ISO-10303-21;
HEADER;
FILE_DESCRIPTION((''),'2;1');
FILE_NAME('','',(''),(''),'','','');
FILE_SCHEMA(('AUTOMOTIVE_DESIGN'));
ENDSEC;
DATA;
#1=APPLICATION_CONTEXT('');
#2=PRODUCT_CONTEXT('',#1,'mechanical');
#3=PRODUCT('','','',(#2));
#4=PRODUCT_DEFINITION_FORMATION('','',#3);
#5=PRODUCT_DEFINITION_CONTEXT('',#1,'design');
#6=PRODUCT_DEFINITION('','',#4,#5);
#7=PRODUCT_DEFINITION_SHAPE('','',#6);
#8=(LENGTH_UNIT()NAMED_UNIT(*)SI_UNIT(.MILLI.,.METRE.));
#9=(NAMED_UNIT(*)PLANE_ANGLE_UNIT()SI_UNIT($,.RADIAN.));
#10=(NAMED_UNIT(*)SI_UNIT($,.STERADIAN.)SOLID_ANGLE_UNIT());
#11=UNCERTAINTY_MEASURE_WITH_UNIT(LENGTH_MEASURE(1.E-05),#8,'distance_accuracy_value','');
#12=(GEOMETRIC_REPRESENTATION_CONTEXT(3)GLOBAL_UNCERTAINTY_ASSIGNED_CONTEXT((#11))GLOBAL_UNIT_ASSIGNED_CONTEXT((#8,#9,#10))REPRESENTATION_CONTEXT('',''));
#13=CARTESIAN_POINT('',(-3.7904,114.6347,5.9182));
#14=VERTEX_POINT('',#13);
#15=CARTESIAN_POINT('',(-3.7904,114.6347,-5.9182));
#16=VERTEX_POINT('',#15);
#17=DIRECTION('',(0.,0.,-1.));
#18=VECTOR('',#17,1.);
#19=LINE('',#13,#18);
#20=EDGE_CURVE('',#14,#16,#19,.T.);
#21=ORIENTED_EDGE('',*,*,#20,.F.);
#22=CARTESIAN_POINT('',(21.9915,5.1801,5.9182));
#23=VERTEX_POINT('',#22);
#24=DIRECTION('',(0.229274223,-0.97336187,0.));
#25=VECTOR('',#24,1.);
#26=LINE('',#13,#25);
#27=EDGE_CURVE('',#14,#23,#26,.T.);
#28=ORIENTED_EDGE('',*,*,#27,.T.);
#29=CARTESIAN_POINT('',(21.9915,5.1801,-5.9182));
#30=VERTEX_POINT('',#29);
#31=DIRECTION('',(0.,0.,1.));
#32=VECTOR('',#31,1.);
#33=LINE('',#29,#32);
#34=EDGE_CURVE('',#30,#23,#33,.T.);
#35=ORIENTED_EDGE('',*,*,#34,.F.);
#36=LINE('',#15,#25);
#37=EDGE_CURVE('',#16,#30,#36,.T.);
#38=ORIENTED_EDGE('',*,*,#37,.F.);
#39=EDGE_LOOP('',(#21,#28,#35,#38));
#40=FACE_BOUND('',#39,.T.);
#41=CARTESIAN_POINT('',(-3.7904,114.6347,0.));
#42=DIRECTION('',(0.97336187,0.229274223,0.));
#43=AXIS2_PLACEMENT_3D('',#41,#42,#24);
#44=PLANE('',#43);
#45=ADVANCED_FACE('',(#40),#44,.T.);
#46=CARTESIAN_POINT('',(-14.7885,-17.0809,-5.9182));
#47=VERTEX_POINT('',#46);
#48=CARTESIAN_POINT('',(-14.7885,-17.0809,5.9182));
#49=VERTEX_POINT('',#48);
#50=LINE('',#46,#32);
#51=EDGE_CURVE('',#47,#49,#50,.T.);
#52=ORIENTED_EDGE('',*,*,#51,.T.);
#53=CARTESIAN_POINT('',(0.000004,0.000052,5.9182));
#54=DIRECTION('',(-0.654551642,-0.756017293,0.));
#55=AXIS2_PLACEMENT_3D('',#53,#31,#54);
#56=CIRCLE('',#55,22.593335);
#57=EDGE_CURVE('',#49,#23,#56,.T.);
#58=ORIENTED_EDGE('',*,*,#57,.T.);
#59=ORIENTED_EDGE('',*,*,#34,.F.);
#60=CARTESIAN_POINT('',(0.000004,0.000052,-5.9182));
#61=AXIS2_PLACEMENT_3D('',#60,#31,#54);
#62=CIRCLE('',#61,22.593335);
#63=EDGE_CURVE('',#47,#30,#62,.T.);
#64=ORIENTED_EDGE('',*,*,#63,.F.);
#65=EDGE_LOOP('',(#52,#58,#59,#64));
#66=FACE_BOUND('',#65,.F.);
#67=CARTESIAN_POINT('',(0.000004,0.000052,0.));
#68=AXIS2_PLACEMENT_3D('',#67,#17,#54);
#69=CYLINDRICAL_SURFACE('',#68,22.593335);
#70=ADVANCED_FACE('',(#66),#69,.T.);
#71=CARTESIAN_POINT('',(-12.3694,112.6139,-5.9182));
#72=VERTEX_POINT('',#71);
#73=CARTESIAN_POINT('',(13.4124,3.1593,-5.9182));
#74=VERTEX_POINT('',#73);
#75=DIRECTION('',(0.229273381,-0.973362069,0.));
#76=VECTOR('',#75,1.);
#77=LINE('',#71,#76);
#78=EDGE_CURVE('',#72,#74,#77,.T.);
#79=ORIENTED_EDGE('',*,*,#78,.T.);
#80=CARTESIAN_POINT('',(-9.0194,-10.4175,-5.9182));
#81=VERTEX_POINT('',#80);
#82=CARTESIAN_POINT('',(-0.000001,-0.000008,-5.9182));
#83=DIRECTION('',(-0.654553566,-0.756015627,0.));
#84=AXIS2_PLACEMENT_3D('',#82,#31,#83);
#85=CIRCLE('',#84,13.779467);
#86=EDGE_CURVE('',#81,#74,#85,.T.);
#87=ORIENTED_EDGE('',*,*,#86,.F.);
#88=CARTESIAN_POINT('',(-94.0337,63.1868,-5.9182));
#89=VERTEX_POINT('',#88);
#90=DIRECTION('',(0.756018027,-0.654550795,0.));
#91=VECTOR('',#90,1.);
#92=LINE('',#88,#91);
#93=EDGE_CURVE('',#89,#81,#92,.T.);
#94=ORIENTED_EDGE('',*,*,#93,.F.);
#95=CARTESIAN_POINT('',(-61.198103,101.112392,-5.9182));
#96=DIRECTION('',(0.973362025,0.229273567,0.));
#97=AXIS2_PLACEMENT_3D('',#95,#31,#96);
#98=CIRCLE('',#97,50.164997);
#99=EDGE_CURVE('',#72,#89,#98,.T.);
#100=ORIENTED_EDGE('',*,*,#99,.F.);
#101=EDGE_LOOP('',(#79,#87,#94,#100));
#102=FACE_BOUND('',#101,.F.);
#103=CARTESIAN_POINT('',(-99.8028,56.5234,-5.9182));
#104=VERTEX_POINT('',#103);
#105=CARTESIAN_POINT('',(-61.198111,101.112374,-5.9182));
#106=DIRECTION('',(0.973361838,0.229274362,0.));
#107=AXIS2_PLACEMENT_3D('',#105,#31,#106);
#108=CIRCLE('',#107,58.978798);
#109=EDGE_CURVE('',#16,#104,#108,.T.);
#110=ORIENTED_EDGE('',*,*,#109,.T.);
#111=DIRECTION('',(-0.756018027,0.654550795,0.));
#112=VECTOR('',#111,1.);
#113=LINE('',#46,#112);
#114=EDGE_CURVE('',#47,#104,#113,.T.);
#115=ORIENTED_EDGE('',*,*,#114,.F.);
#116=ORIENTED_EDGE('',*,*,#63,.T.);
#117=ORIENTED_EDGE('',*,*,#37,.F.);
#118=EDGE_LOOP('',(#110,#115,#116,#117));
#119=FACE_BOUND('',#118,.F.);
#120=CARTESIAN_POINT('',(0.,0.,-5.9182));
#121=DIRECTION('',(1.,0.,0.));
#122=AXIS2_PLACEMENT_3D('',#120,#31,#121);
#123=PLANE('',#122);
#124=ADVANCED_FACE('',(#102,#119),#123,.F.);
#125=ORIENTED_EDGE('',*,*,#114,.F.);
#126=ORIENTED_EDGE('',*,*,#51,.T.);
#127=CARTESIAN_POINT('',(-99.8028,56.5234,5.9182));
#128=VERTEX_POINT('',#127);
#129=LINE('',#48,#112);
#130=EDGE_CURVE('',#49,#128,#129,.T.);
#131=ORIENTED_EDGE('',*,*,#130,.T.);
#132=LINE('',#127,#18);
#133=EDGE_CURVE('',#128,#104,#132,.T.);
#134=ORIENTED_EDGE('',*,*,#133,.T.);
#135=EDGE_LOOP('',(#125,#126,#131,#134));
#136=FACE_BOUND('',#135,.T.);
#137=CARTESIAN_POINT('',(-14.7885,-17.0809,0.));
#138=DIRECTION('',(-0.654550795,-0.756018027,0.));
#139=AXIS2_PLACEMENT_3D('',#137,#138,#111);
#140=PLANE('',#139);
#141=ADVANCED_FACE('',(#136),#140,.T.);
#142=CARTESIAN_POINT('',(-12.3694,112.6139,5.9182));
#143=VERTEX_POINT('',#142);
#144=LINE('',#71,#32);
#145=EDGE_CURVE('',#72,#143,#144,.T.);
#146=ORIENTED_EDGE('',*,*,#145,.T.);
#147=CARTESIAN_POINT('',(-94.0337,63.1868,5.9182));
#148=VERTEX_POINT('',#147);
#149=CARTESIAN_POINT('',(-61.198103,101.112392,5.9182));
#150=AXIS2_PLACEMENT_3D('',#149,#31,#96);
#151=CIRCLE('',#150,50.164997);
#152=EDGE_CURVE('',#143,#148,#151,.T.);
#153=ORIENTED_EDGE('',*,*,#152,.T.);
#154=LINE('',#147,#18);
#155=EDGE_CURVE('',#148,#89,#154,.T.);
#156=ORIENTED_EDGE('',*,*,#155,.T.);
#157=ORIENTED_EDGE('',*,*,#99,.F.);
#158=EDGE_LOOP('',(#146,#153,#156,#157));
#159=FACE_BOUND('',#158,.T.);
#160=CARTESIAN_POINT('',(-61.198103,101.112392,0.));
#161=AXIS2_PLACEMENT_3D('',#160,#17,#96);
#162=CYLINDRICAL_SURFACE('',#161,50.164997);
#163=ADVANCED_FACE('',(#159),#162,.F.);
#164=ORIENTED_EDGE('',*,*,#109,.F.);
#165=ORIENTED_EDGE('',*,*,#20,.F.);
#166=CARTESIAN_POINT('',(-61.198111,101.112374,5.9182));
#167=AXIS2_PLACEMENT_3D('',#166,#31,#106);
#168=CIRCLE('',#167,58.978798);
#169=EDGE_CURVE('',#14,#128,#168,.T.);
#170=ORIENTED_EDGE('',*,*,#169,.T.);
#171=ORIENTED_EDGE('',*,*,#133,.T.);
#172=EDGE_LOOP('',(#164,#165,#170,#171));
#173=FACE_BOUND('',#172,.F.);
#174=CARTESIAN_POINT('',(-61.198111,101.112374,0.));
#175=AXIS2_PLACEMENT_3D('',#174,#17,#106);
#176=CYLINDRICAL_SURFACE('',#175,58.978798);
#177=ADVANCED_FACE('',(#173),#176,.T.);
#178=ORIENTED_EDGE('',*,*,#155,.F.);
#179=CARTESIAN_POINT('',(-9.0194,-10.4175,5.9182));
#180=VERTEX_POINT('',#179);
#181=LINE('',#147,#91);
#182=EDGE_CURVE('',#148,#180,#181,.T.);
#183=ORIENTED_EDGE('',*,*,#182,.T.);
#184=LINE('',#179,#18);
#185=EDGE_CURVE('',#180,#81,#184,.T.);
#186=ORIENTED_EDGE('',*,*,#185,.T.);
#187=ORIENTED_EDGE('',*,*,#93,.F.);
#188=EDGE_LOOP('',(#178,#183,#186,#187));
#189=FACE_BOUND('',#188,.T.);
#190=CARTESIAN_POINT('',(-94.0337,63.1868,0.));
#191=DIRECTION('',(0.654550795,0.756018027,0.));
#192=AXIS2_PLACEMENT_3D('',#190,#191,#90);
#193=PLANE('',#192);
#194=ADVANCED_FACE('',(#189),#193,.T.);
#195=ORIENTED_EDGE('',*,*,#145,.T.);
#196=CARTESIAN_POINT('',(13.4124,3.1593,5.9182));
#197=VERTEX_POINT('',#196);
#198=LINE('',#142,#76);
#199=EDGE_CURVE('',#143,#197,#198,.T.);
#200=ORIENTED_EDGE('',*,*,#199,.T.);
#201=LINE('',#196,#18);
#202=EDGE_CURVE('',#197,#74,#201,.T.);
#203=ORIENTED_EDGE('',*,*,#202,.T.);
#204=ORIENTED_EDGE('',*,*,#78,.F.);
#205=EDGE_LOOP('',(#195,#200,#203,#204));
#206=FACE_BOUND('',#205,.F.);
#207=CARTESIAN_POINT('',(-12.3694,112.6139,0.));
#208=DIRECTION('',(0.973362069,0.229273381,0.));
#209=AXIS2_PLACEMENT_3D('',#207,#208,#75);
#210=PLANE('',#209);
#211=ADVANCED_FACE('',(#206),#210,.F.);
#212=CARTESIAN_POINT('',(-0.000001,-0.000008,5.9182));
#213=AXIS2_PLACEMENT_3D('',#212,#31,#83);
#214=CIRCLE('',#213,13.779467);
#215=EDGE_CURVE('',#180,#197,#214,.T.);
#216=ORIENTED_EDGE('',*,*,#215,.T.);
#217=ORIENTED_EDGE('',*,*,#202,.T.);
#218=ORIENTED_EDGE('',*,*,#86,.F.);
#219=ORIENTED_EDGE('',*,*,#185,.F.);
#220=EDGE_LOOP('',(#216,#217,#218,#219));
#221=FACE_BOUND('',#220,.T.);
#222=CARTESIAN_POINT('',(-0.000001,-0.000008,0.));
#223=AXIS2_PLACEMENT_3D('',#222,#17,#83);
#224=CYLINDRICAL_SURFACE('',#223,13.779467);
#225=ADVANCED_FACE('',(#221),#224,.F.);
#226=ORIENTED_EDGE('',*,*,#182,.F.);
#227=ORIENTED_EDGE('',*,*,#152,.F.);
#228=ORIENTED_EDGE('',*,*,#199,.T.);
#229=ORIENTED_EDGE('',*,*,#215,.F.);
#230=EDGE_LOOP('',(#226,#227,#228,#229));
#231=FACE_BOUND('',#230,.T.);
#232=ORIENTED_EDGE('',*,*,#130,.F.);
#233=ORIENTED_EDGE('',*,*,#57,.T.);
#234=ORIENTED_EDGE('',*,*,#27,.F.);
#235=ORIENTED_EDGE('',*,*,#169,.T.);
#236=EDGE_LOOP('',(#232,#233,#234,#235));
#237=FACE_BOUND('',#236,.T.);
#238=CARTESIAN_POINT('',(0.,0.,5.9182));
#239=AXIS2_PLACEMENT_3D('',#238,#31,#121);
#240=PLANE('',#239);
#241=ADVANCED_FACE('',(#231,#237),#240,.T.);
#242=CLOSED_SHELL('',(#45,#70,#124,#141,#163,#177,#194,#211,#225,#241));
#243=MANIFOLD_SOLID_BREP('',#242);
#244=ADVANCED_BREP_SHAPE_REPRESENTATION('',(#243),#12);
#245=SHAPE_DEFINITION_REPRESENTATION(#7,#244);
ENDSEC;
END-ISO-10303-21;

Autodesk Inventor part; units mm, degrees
ref_plane "YZ Plane" through (0, 0, 0) normal (1, 0, 0) x (0, 1, 0)
ref_plane "XZ Plane" through (0, 0, 0) normal (0, 1, 0) x (-1, 0, 0)
ref_plane "XY Plane" through (0, 0, 0) normal (0, 0, 1) x (1, 0, 0)
sketch "Sketch1" plane through (0, 0, 0) normal (0, 0, 1) x (1, 0, 0)
  circle A0 centre (0, 0) radius 18.1864 construction
  circle A1 centre (-61.1981, 101.1124) radius 54.5719 construction
  line L0 (-61.1981, 101.1124) -> (0, 0) construction
  arc A2 (-12.3694, 112.6139) -> (-94.0337, 63.1868) centre (-61.1981, 101.1124) ccw
  arc A3 (-9.0194, -10.4175) -> (13.4124, 3.1593) centre (0, 0) ccw
  line L1 (-94.0337, 63.1868) -> (-9.0194, -10.4175)
  line L2 (-12.3694, 112.6139) -> (13.4124, 3.1593)
  line L3 (-14.7885, -17.0809) -> (-99.8028, 56.5234)
  arc A4 (-3.7904, 114.6347) -> (-99.8028, 56.5234) centre (-61.1981, 101.1124) ccw
  line L4 (-3.7904, 114.6347) -> (21.9915, 5.1801)
  arc A5 (-14.7885, -17.0809) -> (21.9915, 5.1801) centre (0, 0) ccw
  line L5 (-11.9039, -13.7492) -> (-96.9182, 59.8551) construction
  arc A6 (-8.0799, 113.6243) -> (-96.9182, 59.8551) centre (-61.1981, 101.1124) ccw construction
  line L6 (-8.0799, 113.6243) -> (17.7019, 4.1697) construction
  arc A7 (-11.9039, -13.7492) -> (17.7019, 4.1697) centre (0, 0) ccw construction
  dimension "d0" = 36.3728
  dimension "d1" = 109.1438
  dimension "d2" = 118.1902
  dimension "d3" = 8.8138
  dimension "d4" = 61.1981
  dimension "d5" = 4.4069
extrude "Extrusion1" add sketch "Sketch1" along normal mid plane 11.8364
equation "\"d5\" = 0.5 * d3"
properties part number "EL2-CGB-009" material "Steel"
